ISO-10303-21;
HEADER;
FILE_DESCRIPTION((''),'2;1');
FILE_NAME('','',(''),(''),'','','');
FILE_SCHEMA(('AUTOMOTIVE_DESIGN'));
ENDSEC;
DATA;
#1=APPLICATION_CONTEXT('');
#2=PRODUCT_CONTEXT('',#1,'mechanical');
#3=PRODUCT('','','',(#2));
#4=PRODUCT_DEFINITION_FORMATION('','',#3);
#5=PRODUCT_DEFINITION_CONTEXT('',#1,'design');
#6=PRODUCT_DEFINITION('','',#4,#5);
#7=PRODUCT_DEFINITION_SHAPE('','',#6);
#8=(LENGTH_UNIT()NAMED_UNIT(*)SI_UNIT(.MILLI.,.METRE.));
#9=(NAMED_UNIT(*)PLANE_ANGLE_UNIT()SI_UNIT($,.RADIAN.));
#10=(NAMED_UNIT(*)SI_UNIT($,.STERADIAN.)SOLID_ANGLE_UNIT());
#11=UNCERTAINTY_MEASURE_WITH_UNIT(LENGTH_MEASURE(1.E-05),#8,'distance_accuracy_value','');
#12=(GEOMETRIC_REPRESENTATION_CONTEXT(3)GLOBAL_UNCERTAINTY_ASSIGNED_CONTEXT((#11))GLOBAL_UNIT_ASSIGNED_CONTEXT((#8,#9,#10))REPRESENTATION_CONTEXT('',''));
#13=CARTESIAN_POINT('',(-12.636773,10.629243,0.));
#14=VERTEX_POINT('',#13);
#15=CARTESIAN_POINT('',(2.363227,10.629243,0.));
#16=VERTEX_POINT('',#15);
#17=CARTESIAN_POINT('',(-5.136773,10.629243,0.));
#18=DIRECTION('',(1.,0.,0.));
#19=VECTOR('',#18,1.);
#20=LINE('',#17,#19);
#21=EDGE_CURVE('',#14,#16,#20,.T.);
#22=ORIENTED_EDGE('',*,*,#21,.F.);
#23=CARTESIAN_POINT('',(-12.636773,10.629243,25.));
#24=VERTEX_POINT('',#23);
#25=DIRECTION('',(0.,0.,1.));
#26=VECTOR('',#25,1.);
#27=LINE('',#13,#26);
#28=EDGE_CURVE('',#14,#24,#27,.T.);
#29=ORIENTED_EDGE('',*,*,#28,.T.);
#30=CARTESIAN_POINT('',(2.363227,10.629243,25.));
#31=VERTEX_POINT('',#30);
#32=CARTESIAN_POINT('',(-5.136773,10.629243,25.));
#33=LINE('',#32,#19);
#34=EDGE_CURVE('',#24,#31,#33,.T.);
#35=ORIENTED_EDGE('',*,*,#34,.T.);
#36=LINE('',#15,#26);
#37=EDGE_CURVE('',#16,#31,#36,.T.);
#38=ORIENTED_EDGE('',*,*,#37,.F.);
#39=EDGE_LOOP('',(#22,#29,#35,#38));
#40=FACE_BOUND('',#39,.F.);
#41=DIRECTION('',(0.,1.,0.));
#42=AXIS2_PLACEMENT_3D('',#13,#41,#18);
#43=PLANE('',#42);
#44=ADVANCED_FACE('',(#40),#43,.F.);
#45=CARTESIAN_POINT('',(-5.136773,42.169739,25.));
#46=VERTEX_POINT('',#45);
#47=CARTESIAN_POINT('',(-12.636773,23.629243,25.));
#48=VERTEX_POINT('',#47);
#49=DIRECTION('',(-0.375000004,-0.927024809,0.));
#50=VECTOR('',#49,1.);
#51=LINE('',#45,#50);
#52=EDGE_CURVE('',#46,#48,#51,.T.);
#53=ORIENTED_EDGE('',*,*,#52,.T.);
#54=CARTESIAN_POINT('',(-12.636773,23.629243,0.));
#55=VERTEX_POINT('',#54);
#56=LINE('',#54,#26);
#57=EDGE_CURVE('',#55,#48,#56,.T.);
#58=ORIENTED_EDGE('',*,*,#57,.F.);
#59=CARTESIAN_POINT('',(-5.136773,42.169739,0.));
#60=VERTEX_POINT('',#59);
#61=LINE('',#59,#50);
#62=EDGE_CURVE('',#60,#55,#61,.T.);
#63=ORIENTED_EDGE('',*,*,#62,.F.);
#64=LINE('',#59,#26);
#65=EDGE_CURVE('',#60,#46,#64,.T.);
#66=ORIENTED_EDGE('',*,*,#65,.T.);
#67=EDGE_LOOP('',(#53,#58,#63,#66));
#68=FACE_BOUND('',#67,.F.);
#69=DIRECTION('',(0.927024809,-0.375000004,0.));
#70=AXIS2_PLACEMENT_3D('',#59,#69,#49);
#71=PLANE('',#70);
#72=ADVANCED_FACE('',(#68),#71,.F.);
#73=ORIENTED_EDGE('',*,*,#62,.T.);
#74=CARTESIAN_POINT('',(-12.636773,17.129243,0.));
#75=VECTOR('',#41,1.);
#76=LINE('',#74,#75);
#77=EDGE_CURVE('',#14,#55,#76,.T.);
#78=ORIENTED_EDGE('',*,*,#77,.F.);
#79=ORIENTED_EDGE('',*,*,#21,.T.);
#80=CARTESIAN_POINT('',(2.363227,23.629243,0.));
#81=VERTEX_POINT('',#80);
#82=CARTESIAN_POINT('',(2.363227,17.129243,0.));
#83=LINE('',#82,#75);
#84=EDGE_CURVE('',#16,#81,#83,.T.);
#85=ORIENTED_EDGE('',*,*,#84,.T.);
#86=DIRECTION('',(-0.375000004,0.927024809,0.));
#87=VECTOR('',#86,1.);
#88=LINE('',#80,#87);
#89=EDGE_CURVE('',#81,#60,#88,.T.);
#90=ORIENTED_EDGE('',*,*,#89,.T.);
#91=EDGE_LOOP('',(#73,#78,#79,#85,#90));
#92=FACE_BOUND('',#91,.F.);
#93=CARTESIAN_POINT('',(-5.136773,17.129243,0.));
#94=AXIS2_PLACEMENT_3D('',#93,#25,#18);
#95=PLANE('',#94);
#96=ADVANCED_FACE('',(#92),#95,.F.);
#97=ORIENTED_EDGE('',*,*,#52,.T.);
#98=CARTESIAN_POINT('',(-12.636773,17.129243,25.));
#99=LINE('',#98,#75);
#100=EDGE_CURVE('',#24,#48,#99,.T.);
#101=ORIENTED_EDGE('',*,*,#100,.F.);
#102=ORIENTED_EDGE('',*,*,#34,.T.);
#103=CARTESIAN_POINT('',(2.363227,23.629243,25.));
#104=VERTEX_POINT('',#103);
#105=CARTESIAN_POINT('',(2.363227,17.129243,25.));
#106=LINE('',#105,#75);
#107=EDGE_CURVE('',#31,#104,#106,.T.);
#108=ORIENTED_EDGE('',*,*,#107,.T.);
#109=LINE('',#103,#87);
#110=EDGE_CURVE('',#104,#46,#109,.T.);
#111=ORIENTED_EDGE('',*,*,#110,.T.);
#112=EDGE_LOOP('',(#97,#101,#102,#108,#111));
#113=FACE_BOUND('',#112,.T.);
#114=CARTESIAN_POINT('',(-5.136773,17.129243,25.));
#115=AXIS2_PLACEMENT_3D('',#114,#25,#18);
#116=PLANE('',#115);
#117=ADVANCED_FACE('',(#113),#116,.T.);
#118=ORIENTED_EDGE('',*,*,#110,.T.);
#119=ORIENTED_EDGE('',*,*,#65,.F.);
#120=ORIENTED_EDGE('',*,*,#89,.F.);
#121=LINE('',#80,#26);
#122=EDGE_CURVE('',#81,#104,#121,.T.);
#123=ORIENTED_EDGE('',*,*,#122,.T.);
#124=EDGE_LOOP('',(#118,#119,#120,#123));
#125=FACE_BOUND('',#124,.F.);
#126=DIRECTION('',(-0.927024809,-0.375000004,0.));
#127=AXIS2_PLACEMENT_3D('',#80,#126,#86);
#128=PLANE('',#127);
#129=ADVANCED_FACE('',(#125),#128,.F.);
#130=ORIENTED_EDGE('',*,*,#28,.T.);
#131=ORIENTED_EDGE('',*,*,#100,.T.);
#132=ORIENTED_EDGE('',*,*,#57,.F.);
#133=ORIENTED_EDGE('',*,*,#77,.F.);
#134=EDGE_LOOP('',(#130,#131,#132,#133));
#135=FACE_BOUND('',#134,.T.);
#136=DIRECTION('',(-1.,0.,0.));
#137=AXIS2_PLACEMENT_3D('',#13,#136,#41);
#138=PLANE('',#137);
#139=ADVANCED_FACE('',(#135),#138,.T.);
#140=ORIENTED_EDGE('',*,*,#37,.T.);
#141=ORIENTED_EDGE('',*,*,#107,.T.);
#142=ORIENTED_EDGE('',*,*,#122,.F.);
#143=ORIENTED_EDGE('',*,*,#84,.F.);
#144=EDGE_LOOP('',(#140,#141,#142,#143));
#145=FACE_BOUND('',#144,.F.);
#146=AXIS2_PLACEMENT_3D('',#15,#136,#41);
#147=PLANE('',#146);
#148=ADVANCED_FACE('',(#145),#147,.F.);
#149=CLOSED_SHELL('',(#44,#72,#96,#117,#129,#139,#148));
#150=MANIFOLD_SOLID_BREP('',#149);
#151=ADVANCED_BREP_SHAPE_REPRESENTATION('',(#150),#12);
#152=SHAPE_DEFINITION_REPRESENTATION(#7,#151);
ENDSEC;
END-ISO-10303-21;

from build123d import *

# Parameters (mm, degrees)
F0_W     = 15
F0_H     = 13
F1_DEPTH = 25


with BuildPart() as f1:
    # F0 (on Top) → F1 (new body)
    with BuildSketch(Plane.XY):
        with Locations((-5.136773, 17.129243)):
            Rectangle(F0_W, F0_H)
        Polygon((-5.136773, 42.169739), (-12.636773, 23.629243), (2.363227, 23.629243), align=None)
    extrude(amount=F1_DEPTH)


solid = f1.part
